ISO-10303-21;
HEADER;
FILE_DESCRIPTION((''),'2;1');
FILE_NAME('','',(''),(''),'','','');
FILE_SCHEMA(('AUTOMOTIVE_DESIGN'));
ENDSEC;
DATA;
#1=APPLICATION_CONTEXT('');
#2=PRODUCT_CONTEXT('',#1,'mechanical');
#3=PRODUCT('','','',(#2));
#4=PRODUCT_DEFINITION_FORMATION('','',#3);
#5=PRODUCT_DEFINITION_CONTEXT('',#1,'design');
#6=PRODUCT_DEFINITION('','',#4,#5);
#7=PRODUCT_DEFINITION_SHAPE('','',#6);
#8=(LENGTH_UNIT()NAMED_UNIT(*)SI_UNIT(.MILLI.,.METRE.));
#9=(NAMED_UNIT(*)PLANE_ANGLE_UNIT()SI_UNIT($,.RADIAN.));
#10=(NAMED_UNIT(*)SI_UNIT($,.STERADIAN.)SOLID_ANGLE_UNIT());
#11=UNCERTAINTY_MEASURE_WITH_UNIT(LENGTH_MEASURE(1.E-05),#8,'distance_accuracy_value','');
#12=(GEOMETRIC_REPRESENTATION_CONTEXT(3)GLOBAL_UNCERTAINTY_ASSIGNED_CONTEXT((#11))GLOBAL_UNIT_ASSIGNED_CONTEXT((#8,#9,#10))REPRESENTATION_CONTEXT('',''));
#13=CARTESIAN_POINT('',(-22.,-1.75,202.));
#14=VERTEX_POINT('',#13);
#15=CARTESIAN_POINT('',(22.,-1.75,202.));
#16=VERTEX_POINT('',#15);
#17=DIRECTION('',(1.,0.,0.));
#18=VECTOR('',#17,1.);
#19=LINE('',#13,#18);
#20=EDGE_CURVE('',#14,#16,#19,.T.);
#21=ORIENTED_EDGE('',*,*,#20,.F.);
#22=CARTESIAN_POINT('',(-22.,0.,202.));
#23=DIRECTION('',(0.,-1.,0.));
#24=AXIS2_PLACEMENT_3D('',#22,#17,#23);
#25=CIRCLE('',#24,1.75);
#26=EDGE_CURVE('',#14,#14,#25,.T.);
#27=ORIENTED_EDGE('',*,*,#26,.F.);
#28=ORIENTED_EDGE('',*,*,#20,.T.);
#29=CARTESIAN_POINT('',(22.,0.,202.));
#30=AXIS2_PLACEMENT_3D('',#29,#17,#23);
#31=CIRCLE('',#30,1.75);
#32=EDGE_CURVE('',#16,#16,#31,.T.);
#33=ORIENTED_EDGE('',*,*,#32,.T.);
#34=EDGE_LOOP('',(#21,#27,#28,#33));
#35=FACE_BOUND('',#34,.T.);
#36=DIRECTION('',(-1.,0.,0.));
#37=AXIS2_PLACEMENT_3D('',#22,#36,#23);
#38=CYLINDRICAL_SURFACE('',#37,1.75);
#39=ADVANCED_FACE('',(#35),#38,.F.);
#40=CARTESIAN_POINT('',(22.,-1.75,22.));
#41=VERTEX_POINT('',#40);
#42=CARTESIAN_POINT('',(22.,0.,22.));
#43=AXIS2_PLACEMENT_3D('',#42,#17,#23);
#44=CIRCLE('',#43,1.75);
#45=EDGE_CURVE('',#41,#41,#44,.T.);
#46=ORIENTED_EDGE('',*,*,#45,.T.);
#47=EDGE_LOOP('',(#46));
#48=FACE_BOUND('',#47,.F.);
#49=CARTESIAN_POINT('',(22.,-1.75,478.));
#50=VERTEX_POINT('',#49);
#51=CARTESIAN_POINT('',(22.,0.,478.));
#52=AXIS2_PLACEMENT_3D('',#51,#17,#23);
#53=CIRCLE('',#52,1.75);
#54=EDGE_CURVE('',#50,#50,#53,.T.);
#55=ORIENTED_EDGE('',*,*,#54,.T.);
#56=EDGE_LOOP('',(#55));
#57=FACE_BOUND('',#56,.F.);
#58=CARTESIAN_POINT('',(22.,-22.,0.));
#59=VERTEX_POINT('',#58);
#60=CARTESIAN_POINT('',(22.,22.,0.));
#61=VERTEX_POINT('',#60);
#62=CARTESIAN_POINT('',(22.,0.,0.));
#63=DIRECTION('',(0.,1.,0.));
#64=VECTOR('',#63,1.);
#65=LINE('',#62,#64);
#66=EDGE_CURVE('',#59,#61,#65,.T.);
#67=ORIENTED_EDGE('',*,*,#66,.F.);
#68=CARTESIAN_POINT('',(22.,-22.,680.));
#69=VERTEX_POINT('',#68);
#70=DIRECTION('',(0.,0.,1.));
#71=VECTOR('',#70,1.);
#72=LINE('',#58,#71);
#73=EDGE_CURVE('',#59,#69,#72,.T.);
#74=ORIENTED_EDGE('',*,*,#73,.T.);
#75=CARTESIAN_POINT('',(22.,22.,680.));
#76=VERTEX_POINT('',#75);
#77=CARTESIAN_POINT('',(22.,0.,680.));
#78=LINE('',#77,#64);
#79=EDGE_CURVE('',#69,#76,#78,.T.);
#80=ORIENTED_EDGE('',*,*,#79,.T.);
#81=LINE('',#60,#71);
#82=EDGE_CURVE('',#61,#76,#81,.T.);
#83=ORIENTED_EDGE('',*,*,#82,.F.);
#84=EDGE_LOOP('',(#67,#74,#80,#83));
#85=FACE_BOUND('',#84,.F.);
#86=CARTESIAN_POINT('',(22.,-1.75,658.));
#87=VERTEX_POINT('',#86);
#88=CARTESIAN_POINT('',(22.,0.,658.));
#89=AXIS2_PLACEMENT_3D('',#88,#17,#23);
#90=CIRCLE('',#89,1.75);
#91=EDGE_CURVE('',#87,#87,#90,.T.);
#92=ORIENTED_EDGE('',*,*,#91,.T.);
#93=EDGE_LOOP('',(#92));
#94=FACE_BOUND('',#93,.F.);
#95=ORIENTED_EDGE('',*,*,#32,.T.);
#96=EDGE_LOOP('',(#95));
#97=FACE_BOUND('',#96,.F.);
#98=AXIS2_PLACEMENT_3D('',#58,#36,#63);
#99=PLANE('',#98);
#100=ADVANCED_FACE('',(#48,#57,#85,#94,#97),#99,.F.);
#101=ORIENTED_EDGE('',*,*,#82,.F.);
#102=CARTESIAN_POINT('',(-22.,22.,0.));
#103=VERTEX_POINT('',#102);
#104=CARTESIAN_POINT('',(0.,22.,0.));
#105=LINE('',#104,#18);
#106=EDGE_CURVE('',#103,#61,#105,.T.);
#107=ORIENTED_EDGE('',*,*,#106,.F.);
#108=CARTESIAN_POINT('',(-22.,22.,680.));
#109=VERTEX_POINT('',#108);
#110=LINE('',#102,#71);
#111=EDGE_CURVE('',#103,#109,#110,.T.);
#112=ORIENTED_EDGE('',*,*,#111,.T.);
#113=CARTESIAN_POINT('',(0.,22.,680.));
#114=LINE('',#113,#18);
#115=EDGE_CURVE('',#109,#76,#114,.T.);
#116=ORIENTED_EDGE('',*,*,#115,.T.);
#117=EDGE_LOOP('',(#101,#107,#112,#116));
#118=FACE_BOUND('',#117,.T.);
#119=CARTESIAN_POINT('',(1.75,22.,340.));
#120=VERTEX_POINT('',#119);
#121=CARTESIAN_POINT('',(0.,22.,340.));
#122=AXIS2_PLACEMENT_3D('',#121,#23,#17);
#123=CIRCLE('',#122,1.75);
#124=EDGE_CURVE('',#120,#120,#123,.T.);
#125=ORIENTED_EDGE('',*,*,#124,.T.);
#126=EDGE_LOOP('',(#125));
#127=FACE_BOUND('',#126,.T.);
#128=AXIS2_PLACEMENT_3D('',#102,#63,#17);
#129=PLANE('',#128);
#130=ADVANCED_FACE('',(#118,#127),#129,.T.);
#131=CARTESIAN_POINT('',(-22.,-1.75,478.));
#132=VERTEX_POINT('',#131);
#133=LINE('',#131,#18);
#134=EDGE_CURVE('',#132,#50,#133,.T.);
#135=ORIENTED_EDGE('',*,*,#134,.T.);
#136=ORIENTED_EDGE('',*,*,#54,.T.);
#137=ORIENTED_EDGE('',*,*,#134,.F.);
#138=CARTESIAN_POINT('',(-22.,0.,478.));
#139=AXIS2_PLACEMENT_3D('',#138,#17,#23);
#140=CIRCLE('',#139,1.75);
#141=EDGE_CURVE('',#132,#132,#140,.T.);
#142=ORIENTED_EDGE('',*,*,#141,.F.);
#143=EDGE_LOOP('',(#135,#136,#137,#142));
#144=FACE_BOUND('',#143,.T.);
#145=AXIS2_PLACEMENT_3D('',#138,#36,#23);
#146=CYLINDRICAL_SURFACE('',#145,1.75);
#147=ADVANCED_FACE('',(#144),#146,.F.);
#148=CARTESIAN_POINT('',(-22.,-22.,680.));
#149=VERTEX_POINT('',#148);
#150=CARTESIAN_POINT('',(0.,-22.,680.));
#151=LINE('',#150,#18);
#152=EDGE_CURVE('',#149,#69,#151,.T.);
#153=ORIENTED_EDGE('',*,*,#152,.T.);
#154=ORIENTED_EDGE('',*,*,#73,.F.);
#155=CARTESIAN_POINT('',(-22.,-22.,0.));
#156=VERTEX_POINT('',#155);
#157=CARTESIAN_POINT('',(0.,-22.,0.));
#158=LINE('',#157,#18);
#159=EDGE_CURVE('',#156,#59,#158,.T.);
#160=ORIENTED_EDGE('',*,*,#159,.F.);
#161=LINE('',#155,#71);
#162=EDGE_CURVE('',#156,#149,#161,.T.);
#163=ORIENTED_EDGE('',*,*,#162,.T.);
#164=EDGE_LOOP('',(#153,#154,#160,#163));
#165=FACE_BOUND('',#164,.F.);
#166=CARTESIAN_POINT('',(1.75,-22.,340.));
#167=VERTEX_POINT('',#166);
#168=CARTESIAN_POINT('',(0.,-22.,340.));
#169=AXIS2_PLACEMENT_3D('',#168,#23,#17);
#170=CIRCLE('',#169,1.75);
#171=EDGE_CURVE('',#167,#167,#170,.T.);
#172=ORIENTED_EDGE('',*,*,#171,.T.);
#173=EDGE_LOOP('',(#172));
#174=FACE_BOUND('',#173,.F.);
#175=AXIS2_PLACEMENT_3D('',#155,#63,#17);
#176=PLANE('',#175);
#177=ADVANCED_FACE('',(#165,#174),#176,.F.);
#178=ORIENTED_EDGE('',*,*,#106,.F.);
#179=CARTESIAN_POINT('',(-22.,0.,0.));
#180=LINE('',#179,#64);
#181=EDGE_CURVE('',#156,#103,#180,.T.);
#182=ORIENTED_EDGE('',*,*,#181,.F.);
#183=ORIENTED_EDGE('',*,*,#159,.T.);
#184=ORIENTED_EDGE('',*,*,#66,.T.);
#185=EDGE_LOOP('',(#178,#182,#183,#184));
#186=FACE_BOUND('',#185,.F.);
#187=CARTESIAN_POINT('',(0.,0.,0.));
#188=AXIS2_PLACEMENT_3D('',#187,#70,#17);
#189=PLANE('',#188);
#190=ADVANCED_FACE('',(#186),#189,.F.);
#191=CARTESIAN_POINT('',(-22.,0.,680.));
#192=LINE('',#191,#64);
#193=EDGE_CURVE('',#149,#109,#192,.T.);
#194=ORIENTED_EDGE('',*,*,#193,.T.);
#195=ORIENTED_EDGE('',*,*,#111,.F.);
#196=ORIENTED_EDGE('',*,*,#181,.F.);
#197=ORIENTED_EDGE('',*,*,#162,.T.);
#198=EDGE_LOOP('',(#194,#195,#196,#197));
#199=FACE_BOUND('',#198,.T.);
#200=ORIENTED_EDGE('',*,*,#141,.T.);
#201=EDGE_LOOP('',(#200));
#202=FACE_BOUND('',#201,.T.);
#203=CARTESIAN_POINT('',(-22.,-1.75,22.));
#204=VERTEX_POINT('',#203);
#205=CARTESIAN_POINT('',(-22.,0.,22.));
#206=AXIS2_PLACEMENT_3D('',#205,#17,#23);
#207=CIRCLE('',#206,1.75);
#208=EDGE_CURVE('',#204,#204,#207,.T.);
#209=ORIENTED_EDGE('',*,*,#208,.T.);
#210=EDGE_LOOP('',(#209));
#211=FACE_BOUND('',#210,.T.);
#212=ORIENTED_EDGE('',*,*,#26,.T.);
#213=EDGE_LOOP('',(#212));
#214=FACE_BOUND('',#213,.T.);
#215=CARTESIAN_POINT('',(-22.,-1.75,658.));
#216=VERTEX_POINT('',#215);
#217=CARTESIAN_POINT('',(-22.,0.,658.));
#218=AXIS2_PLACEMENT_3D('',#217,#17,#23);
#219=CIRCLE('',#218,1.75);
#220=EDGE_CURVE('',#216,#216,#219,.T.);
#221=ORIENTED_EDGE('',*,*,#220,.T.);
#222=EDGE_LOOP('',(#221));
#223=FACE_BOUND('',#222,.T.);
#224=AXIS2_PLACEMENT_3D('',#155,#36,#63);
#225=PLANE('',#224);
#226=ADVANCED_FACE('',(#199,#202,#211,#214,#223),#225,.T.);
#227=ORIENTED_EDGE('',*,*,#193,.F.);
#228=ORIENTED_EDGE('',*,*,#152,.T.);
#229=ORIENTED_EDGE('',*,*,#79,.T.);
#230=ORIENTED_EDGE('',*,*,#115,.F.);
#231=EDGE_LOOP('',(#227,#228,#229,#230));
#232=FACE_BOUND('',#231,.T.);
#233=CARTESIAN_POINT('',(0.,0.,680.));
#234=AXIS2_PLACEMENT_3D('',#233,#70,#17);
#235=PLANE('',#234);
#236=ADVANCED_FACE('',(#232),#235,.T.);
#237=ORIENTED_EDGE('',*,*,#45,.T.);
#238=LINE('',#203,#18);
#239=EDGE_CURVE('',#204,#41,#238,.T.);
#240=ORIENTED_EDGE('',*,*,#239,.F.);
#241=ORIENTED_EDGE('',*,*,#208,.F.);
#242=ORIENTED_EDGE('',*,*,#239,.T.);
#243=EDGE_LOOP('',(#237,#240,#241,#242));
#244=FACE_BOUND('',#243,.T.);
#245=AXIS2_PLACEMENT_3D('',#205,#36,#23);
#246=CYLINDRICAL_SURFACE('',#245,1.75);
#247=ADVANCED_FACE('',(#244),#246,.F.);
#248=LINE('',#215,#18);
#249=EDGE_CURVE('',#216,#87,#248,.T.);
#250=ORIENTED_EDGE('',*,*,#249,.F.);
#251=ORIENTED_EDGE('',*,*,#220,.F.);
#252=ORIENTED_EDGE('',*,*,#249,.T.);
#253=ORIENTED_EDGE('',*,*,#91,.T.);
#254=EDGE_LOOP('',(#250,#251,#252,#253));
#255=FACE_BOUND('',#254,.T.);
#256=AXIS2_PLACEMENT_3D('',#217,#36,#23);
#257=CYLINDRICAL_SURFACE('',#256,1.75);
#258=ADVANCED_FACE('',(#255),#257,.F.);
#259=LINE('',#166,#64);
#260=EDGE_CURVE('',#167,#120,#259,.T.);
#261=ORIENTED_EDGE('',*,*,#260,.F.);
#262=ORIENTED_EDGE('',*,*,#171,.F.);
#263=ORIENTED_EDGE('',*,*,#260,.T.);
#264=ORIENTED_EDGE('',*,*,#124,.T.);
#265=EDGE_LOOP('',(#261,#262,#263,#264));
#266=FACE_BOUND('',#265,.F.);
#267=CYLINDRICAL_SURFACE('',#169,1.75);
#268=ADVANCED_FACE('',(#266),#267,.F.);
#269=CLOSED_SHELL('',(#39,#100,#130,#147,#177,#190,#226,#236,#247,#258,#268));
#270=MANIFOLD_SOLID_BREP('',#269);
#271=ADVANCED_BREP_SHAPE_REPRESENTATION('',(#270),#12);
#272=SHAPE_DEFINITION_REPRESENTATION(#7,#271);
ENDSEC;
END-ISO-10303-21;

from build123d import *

# Parameters (mm, degrees)
ESQUISSE1_W             = 44
ESQUISSE1_H             = 44
BOSS_EXTRU_1_DEPTH      = 680
ESQUISSE2_R             = 1.75
ENL_V_MAT_EXTRU_1_DEPTH = 44
ESQUISSE3_R             = 1.75
ENL_V_MAT_EXTRU_2_DEPTH = 60


with BuildPart() as part:
    # Esquisse1 → Boss.-Extru.1 (new body)
    with BuildSketch(Plane.XY):
        Rectangle(ESQUISSE1_W, ESQUISSE1_H)
    extrude(amount=BOSS_EXTRU_1_DEPTH)

    # Esquisse2 → Enlèv. mat.-Extru.1 (cut)
    with BuildSketch(Plane(origin=(-22, 0, 0), x_dir=(0, -1, 0), z_dir=(1, 0, 0))):
        with Locations((0, -22)):
            Circle(ESQUISSE2_R)
        with Locations((0, -658)):
            Circle(ESQUISSE2_R)
        with Locations((0, -202)):
            Circle(ESQUISSE2_R)
        with Locations((0, -478)):
            Circle(ESQUISSE2_R)
    extrude(amount=ENL_V_MAT_EXTRU_1_DEPTH, mode=Mode.SUBTRACT)

    # Esquisse3 → Enlèv. mat.-Extru.2 (cut)
    with BuildSketch(Plane.XZ.offset(22)):
        with Locations((0, 340)):
            Circle(ESQUISSE3_R)
    extrude(amount=-ENL_V_MAT_EXTRU_2_DEPTH, mode=Mode.SUBTRACT)


solid = part.part
